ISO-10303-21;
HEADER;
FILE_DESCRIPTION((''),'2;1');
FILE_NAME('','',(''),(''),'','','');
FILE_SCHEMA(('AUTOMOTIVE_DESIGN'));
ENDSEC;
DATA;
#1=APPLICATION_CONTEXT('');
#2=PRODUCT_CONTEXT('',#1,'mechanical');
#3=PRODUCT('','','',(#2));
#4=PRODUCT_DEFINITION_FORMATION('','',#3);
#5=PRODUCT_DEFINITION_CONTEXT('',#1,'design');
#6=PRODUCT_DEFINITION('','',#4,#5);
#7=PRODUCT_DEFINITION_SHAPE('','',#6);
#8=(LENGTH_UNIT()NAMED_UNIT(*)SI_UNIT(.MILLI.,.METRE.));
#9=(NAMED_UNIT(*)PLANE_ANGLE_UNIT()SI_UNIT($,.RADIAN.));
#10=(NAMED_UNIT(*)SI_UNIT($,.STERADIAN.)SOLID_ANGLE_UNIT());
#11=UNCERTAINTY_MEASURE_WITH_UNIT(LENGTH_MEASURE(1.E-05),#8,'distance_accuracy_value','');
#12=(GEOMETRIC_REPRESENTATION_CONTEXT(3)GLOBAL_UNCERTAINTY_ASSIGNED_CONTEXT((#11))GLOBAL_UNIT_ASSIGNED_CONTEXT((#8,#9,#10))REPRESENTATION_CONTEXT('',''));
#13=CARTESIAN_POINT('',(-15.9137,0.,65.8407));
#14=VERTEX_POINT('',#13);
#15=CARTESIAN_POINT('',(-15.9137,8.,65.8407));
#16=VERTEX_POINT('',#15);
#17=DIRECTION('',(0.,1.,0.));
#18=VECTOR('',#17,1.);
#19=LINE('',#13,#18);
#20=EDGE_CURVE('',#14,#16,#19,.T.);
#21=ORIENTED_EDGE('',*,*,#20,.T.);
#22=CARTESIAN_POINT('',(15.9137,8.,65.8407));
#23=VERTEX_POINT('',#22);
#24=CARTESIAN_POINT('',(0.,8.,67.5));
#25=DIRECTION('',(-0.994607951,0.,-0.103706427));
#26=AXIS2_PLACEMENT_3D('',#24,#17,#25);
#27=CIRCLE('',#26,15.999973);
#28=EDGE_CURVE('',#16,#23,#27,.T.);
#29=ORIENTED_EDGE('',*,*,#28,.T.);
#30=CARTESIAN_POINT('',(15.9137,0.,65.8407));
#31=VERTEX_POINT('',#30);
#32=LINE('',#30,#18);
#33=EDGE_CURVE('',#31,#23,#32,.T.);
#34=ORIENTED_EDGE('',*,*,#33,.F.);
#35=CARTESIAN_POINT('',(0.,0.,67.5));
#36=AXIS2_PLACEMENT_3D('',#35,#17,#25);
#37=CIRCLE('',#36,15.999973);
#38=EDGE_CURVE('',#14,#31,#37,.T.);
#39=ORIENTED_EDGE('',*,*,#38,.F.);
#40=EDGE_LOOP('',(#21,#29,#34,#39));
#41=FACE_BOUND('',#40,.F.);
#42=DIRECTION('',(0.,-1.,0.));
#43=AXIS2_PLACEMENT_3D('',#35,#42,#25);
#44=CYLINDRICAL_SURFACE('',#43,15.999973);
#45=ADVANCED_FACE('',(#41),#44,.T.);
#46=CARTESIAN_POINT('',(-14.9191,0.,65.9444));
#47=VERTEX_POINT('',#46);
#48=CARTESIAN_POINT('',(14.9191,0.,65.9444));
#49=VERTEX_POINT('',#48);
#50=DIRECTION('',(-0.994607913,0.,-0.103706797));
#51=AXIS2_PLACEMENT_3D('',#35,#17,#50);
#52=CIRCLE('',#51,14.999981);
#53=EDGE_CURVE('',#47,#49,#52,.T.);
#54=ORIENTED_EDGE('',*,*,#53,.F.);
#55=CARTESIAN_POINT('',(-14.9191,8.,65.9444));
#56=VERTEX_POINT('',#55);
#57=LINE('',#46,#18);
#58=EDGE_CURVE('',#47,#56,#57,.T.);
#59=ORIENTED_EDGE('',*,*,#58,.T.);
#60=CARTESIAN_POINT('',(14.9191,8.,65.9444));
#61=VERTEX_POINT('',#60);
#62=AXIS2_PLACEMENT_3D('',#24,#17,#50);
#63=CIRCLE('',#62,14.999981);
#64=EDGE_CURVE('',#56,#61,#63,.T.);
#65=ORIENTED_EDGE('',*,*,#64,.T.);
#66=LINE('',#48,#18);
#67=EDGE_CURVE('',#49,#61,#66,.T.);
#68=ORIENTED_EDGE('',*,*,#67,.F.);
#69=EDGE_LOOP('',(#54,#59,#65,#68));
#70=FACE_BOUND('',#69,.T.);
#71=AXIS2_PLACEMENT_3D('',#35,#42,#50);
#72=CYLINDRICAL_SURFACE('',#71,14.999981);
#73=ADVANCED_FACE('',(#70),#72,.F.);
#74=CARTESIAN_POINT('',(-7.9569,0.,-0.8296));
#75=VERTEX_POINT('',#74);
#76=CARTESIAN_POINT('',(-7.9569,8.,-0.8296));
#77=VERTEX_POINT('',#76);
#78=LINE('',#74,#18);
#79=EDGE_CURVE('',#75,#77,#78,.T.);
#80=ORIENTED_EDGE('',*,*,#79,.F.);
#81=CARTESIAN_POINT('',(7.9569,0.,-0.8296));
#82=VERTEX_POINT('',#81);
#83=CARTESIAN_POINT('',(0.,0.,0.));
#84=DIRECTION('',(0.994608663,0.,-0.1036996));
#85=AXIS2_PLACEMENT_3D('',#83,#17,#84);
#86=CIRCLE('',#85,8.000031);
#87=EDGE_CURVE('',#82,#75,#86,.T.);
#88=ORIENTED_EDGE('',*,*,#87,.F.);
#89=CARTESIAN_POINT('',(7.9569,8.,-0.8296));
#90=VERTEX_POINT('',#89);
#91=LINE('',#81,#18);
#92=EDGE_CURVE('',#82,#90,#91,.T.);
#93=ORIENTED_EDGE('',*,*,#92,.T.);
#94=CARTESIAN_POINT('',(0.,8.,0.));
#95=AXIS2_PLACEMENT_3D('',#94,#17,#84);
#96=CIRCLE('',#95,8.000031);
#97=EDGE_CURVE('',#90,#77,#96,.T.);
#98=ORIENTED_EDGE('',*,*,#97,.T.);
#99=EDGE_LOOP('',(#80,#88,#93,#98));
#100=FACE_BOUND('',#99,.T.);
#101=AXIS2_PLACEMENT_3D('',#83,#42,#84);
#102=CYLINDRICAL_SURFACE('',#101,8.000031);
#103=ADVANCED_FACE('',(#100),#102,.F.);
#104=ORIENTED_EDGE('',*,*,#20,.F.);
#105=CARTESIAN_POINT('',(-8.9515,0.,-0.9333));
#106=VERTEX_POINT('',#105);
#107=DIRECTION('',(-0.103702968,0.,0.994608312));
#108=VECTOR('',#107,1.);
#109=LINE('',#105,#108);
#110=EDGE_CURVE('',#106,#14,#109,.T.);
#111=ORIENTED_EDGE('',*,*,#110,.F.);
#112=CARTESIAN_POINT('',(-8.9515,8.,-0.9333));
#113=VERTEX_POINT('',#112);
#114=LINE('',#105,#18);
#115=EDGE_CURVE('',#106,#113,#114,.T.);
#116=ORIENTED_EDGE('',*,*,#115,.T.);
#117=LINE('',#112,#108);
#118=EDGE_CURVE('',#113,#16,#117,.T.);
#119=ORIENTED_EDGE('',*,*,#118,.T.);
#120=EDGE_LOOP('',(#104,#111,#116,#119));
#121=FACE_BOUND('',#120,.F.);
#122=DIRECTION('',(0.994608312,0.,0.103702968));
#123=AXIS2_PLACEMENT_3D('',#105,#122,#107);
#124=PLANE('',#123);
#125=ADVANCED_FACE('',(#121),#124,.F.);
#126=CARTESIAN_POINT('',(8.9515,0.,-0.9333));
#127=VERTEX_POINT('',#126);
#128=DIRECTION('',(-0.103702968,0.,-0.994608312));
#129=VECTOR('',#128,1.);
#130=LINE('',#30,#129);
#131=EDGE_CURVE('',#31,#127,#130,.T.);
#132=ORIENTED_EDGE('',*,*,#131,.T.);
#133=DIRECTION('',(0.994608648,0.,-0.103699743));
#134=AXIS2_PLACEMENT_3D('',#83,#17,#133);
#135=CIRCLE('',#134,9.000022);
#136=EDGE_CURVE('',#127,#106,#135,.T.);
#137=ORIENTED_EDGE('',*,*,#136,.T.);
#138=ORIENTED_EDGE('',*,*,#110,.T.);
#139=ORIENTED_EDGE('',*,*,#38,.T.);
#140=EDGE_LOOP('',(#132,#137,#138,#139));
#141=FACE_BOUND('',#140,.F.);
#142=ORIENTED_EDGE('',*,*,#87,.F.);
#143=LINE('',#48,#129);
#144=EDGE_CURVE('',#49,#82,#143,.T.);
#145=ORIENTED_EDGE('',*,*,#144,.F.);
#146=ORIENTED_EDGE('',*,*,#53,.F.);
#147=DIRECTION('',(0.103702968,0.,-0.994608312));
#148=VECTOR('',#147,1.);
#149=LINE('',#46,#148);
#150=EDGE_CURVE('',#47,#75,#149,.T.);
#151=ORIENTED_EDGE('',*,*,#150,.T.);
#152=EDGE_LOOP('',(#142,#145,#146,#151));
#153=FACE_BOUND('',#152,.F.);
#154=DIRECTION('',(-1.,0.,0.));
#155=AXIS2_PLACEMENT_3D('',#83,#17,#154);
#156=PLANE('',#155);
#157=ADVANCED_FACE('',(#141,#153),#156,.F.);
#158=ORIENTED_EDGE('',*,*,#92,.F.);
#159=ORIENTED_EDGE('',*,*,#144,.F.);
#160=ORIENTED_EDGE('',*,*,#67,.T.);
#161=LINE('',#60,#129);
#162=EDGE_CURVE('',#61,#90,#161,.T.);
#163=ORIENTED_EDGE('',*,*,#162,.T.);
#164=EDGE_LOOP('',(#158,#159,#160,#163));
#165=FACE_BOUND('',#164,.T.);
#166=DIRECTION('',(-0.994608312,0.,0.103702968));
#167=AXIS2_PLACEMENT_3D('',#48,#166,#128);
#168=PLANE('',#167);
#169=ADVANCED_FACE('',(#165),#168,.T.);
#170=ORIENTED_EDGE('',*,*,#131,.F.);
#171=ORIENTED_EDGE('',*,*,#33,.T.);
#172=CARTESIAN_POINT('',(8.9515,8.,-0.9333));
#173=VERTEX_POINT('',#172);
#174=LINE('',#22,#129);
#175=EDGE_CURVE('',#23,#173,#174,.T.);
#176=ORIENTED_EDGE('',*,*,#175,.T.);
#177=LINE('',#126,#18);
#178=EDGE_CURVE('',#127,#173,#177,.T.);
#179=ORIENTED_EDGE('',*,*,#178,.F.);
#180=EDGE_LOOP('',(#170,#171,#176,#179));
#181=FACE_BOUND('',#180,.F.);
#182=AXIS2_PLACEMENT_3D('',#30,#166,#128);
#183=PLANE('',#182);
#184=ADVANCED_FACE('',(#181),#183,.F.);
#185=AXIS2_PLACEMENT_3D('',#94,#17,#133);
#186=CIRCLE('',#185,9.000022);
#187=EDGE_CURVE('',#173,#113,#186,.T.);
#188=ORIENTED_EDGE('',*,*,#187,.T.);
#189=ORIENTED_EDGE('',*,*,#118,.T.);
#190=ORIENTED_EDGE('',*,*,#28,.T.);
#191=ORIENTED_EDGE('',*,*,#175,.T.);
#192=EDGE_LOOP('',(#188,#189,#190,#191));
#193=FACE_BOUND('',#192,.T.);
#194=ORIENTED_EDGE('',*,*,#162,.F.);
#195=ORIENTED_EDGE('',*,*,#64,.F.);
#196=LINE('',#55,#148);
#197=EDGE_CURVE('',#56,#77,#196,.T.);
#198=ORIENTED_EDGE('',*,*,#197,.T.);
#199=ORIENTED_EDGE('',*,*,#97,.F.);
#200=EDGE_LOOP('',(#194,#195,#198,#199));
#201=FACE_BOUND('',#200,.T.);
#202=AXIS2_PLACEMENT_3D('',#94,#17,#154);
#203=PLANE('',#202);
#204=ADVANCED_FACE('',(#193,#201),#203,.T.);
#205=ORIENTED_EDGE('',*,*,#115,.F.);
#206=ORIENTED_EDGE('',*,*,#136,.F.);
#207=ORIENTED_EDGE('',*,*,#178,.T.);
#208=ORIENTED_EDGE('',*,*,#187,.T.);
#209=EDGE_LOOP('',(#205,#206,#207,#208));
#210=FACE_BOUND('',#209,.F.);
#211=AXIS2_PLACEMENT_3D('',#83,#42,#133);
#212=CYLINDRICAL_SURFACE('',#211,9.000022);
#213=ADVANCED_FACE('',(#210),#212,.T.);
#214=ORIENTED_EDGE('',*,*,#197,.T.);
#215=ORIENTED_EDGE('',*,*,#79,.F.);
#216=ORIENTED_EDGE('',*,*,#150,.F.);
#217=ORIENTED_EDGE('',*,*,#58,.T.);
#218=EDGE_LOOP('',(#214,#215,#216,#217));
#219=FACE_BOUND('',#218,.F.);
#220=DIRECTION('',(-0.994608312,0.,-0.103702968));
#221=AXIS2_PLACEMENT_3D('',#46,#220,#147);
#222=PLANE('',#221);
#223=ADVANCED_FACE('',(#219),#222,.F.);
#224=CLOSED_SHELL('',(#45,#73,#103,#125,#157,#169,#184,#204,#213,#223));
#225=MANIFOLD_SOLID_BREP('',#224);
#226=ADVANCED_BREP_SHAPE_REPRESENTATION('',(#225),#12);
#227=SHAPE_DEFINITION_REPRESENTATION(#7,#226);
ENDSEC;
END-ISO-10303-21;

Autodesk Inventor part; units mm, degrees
ref_plane "YZ Plane" through (0, 0, 0) normal (1, 0, 0) x (0, 1, 0)
ref_plane "XZ Plane" through (0, 0, 0) normal (0, 1, 0) x (-1, 0, 0)
ref_plane "XY Plane" through (0, 0, 0) normal (0, 0, 1) x (1, 0, 0)
sketch "Sketch1" plane through (0, 0, 0) normal (0, 1, 0) x (-1, 0, 0)
  arc A0 (-7.9569, -0.8296) -> (7.9569, -0.8296) centre (0, 0) ccw
  line L0 (0, 0) -> (0, 67.5) construction
  arc A1 (14.9191, 65.9444) -> (-14.9191, 65.9444) centre (0, 67.5) ccw
  line L1 (14.9191, 65.9444) -> (7.9569, -0.8296)
  line L2 (-14.9191, 65.9444) -> (-7.9569, -0.8296)
  line L3 (8.9515, -0.9333) -> (15.9137, 65.8407)
  arc A2 (15.9137, 65.8407) -> (-15.9137, 65.8407) centre (0, 67.5) ccw
  line L4 (-15.9137, 65.8407) -> (-8.9515, -0.9333)
  arc A3 (-8.9515, -0.9333) -> (8.9515, -0.9333) centre (0, 0) ccw
  dimension "d0" = 16
  dimension "d1" = 67.5
  dimension "d2" = 30
  dimension "d3" = 1
extrude "Extrusion1" add sketch "Sketch1" along normal blind 8
properties part number "Belt"
